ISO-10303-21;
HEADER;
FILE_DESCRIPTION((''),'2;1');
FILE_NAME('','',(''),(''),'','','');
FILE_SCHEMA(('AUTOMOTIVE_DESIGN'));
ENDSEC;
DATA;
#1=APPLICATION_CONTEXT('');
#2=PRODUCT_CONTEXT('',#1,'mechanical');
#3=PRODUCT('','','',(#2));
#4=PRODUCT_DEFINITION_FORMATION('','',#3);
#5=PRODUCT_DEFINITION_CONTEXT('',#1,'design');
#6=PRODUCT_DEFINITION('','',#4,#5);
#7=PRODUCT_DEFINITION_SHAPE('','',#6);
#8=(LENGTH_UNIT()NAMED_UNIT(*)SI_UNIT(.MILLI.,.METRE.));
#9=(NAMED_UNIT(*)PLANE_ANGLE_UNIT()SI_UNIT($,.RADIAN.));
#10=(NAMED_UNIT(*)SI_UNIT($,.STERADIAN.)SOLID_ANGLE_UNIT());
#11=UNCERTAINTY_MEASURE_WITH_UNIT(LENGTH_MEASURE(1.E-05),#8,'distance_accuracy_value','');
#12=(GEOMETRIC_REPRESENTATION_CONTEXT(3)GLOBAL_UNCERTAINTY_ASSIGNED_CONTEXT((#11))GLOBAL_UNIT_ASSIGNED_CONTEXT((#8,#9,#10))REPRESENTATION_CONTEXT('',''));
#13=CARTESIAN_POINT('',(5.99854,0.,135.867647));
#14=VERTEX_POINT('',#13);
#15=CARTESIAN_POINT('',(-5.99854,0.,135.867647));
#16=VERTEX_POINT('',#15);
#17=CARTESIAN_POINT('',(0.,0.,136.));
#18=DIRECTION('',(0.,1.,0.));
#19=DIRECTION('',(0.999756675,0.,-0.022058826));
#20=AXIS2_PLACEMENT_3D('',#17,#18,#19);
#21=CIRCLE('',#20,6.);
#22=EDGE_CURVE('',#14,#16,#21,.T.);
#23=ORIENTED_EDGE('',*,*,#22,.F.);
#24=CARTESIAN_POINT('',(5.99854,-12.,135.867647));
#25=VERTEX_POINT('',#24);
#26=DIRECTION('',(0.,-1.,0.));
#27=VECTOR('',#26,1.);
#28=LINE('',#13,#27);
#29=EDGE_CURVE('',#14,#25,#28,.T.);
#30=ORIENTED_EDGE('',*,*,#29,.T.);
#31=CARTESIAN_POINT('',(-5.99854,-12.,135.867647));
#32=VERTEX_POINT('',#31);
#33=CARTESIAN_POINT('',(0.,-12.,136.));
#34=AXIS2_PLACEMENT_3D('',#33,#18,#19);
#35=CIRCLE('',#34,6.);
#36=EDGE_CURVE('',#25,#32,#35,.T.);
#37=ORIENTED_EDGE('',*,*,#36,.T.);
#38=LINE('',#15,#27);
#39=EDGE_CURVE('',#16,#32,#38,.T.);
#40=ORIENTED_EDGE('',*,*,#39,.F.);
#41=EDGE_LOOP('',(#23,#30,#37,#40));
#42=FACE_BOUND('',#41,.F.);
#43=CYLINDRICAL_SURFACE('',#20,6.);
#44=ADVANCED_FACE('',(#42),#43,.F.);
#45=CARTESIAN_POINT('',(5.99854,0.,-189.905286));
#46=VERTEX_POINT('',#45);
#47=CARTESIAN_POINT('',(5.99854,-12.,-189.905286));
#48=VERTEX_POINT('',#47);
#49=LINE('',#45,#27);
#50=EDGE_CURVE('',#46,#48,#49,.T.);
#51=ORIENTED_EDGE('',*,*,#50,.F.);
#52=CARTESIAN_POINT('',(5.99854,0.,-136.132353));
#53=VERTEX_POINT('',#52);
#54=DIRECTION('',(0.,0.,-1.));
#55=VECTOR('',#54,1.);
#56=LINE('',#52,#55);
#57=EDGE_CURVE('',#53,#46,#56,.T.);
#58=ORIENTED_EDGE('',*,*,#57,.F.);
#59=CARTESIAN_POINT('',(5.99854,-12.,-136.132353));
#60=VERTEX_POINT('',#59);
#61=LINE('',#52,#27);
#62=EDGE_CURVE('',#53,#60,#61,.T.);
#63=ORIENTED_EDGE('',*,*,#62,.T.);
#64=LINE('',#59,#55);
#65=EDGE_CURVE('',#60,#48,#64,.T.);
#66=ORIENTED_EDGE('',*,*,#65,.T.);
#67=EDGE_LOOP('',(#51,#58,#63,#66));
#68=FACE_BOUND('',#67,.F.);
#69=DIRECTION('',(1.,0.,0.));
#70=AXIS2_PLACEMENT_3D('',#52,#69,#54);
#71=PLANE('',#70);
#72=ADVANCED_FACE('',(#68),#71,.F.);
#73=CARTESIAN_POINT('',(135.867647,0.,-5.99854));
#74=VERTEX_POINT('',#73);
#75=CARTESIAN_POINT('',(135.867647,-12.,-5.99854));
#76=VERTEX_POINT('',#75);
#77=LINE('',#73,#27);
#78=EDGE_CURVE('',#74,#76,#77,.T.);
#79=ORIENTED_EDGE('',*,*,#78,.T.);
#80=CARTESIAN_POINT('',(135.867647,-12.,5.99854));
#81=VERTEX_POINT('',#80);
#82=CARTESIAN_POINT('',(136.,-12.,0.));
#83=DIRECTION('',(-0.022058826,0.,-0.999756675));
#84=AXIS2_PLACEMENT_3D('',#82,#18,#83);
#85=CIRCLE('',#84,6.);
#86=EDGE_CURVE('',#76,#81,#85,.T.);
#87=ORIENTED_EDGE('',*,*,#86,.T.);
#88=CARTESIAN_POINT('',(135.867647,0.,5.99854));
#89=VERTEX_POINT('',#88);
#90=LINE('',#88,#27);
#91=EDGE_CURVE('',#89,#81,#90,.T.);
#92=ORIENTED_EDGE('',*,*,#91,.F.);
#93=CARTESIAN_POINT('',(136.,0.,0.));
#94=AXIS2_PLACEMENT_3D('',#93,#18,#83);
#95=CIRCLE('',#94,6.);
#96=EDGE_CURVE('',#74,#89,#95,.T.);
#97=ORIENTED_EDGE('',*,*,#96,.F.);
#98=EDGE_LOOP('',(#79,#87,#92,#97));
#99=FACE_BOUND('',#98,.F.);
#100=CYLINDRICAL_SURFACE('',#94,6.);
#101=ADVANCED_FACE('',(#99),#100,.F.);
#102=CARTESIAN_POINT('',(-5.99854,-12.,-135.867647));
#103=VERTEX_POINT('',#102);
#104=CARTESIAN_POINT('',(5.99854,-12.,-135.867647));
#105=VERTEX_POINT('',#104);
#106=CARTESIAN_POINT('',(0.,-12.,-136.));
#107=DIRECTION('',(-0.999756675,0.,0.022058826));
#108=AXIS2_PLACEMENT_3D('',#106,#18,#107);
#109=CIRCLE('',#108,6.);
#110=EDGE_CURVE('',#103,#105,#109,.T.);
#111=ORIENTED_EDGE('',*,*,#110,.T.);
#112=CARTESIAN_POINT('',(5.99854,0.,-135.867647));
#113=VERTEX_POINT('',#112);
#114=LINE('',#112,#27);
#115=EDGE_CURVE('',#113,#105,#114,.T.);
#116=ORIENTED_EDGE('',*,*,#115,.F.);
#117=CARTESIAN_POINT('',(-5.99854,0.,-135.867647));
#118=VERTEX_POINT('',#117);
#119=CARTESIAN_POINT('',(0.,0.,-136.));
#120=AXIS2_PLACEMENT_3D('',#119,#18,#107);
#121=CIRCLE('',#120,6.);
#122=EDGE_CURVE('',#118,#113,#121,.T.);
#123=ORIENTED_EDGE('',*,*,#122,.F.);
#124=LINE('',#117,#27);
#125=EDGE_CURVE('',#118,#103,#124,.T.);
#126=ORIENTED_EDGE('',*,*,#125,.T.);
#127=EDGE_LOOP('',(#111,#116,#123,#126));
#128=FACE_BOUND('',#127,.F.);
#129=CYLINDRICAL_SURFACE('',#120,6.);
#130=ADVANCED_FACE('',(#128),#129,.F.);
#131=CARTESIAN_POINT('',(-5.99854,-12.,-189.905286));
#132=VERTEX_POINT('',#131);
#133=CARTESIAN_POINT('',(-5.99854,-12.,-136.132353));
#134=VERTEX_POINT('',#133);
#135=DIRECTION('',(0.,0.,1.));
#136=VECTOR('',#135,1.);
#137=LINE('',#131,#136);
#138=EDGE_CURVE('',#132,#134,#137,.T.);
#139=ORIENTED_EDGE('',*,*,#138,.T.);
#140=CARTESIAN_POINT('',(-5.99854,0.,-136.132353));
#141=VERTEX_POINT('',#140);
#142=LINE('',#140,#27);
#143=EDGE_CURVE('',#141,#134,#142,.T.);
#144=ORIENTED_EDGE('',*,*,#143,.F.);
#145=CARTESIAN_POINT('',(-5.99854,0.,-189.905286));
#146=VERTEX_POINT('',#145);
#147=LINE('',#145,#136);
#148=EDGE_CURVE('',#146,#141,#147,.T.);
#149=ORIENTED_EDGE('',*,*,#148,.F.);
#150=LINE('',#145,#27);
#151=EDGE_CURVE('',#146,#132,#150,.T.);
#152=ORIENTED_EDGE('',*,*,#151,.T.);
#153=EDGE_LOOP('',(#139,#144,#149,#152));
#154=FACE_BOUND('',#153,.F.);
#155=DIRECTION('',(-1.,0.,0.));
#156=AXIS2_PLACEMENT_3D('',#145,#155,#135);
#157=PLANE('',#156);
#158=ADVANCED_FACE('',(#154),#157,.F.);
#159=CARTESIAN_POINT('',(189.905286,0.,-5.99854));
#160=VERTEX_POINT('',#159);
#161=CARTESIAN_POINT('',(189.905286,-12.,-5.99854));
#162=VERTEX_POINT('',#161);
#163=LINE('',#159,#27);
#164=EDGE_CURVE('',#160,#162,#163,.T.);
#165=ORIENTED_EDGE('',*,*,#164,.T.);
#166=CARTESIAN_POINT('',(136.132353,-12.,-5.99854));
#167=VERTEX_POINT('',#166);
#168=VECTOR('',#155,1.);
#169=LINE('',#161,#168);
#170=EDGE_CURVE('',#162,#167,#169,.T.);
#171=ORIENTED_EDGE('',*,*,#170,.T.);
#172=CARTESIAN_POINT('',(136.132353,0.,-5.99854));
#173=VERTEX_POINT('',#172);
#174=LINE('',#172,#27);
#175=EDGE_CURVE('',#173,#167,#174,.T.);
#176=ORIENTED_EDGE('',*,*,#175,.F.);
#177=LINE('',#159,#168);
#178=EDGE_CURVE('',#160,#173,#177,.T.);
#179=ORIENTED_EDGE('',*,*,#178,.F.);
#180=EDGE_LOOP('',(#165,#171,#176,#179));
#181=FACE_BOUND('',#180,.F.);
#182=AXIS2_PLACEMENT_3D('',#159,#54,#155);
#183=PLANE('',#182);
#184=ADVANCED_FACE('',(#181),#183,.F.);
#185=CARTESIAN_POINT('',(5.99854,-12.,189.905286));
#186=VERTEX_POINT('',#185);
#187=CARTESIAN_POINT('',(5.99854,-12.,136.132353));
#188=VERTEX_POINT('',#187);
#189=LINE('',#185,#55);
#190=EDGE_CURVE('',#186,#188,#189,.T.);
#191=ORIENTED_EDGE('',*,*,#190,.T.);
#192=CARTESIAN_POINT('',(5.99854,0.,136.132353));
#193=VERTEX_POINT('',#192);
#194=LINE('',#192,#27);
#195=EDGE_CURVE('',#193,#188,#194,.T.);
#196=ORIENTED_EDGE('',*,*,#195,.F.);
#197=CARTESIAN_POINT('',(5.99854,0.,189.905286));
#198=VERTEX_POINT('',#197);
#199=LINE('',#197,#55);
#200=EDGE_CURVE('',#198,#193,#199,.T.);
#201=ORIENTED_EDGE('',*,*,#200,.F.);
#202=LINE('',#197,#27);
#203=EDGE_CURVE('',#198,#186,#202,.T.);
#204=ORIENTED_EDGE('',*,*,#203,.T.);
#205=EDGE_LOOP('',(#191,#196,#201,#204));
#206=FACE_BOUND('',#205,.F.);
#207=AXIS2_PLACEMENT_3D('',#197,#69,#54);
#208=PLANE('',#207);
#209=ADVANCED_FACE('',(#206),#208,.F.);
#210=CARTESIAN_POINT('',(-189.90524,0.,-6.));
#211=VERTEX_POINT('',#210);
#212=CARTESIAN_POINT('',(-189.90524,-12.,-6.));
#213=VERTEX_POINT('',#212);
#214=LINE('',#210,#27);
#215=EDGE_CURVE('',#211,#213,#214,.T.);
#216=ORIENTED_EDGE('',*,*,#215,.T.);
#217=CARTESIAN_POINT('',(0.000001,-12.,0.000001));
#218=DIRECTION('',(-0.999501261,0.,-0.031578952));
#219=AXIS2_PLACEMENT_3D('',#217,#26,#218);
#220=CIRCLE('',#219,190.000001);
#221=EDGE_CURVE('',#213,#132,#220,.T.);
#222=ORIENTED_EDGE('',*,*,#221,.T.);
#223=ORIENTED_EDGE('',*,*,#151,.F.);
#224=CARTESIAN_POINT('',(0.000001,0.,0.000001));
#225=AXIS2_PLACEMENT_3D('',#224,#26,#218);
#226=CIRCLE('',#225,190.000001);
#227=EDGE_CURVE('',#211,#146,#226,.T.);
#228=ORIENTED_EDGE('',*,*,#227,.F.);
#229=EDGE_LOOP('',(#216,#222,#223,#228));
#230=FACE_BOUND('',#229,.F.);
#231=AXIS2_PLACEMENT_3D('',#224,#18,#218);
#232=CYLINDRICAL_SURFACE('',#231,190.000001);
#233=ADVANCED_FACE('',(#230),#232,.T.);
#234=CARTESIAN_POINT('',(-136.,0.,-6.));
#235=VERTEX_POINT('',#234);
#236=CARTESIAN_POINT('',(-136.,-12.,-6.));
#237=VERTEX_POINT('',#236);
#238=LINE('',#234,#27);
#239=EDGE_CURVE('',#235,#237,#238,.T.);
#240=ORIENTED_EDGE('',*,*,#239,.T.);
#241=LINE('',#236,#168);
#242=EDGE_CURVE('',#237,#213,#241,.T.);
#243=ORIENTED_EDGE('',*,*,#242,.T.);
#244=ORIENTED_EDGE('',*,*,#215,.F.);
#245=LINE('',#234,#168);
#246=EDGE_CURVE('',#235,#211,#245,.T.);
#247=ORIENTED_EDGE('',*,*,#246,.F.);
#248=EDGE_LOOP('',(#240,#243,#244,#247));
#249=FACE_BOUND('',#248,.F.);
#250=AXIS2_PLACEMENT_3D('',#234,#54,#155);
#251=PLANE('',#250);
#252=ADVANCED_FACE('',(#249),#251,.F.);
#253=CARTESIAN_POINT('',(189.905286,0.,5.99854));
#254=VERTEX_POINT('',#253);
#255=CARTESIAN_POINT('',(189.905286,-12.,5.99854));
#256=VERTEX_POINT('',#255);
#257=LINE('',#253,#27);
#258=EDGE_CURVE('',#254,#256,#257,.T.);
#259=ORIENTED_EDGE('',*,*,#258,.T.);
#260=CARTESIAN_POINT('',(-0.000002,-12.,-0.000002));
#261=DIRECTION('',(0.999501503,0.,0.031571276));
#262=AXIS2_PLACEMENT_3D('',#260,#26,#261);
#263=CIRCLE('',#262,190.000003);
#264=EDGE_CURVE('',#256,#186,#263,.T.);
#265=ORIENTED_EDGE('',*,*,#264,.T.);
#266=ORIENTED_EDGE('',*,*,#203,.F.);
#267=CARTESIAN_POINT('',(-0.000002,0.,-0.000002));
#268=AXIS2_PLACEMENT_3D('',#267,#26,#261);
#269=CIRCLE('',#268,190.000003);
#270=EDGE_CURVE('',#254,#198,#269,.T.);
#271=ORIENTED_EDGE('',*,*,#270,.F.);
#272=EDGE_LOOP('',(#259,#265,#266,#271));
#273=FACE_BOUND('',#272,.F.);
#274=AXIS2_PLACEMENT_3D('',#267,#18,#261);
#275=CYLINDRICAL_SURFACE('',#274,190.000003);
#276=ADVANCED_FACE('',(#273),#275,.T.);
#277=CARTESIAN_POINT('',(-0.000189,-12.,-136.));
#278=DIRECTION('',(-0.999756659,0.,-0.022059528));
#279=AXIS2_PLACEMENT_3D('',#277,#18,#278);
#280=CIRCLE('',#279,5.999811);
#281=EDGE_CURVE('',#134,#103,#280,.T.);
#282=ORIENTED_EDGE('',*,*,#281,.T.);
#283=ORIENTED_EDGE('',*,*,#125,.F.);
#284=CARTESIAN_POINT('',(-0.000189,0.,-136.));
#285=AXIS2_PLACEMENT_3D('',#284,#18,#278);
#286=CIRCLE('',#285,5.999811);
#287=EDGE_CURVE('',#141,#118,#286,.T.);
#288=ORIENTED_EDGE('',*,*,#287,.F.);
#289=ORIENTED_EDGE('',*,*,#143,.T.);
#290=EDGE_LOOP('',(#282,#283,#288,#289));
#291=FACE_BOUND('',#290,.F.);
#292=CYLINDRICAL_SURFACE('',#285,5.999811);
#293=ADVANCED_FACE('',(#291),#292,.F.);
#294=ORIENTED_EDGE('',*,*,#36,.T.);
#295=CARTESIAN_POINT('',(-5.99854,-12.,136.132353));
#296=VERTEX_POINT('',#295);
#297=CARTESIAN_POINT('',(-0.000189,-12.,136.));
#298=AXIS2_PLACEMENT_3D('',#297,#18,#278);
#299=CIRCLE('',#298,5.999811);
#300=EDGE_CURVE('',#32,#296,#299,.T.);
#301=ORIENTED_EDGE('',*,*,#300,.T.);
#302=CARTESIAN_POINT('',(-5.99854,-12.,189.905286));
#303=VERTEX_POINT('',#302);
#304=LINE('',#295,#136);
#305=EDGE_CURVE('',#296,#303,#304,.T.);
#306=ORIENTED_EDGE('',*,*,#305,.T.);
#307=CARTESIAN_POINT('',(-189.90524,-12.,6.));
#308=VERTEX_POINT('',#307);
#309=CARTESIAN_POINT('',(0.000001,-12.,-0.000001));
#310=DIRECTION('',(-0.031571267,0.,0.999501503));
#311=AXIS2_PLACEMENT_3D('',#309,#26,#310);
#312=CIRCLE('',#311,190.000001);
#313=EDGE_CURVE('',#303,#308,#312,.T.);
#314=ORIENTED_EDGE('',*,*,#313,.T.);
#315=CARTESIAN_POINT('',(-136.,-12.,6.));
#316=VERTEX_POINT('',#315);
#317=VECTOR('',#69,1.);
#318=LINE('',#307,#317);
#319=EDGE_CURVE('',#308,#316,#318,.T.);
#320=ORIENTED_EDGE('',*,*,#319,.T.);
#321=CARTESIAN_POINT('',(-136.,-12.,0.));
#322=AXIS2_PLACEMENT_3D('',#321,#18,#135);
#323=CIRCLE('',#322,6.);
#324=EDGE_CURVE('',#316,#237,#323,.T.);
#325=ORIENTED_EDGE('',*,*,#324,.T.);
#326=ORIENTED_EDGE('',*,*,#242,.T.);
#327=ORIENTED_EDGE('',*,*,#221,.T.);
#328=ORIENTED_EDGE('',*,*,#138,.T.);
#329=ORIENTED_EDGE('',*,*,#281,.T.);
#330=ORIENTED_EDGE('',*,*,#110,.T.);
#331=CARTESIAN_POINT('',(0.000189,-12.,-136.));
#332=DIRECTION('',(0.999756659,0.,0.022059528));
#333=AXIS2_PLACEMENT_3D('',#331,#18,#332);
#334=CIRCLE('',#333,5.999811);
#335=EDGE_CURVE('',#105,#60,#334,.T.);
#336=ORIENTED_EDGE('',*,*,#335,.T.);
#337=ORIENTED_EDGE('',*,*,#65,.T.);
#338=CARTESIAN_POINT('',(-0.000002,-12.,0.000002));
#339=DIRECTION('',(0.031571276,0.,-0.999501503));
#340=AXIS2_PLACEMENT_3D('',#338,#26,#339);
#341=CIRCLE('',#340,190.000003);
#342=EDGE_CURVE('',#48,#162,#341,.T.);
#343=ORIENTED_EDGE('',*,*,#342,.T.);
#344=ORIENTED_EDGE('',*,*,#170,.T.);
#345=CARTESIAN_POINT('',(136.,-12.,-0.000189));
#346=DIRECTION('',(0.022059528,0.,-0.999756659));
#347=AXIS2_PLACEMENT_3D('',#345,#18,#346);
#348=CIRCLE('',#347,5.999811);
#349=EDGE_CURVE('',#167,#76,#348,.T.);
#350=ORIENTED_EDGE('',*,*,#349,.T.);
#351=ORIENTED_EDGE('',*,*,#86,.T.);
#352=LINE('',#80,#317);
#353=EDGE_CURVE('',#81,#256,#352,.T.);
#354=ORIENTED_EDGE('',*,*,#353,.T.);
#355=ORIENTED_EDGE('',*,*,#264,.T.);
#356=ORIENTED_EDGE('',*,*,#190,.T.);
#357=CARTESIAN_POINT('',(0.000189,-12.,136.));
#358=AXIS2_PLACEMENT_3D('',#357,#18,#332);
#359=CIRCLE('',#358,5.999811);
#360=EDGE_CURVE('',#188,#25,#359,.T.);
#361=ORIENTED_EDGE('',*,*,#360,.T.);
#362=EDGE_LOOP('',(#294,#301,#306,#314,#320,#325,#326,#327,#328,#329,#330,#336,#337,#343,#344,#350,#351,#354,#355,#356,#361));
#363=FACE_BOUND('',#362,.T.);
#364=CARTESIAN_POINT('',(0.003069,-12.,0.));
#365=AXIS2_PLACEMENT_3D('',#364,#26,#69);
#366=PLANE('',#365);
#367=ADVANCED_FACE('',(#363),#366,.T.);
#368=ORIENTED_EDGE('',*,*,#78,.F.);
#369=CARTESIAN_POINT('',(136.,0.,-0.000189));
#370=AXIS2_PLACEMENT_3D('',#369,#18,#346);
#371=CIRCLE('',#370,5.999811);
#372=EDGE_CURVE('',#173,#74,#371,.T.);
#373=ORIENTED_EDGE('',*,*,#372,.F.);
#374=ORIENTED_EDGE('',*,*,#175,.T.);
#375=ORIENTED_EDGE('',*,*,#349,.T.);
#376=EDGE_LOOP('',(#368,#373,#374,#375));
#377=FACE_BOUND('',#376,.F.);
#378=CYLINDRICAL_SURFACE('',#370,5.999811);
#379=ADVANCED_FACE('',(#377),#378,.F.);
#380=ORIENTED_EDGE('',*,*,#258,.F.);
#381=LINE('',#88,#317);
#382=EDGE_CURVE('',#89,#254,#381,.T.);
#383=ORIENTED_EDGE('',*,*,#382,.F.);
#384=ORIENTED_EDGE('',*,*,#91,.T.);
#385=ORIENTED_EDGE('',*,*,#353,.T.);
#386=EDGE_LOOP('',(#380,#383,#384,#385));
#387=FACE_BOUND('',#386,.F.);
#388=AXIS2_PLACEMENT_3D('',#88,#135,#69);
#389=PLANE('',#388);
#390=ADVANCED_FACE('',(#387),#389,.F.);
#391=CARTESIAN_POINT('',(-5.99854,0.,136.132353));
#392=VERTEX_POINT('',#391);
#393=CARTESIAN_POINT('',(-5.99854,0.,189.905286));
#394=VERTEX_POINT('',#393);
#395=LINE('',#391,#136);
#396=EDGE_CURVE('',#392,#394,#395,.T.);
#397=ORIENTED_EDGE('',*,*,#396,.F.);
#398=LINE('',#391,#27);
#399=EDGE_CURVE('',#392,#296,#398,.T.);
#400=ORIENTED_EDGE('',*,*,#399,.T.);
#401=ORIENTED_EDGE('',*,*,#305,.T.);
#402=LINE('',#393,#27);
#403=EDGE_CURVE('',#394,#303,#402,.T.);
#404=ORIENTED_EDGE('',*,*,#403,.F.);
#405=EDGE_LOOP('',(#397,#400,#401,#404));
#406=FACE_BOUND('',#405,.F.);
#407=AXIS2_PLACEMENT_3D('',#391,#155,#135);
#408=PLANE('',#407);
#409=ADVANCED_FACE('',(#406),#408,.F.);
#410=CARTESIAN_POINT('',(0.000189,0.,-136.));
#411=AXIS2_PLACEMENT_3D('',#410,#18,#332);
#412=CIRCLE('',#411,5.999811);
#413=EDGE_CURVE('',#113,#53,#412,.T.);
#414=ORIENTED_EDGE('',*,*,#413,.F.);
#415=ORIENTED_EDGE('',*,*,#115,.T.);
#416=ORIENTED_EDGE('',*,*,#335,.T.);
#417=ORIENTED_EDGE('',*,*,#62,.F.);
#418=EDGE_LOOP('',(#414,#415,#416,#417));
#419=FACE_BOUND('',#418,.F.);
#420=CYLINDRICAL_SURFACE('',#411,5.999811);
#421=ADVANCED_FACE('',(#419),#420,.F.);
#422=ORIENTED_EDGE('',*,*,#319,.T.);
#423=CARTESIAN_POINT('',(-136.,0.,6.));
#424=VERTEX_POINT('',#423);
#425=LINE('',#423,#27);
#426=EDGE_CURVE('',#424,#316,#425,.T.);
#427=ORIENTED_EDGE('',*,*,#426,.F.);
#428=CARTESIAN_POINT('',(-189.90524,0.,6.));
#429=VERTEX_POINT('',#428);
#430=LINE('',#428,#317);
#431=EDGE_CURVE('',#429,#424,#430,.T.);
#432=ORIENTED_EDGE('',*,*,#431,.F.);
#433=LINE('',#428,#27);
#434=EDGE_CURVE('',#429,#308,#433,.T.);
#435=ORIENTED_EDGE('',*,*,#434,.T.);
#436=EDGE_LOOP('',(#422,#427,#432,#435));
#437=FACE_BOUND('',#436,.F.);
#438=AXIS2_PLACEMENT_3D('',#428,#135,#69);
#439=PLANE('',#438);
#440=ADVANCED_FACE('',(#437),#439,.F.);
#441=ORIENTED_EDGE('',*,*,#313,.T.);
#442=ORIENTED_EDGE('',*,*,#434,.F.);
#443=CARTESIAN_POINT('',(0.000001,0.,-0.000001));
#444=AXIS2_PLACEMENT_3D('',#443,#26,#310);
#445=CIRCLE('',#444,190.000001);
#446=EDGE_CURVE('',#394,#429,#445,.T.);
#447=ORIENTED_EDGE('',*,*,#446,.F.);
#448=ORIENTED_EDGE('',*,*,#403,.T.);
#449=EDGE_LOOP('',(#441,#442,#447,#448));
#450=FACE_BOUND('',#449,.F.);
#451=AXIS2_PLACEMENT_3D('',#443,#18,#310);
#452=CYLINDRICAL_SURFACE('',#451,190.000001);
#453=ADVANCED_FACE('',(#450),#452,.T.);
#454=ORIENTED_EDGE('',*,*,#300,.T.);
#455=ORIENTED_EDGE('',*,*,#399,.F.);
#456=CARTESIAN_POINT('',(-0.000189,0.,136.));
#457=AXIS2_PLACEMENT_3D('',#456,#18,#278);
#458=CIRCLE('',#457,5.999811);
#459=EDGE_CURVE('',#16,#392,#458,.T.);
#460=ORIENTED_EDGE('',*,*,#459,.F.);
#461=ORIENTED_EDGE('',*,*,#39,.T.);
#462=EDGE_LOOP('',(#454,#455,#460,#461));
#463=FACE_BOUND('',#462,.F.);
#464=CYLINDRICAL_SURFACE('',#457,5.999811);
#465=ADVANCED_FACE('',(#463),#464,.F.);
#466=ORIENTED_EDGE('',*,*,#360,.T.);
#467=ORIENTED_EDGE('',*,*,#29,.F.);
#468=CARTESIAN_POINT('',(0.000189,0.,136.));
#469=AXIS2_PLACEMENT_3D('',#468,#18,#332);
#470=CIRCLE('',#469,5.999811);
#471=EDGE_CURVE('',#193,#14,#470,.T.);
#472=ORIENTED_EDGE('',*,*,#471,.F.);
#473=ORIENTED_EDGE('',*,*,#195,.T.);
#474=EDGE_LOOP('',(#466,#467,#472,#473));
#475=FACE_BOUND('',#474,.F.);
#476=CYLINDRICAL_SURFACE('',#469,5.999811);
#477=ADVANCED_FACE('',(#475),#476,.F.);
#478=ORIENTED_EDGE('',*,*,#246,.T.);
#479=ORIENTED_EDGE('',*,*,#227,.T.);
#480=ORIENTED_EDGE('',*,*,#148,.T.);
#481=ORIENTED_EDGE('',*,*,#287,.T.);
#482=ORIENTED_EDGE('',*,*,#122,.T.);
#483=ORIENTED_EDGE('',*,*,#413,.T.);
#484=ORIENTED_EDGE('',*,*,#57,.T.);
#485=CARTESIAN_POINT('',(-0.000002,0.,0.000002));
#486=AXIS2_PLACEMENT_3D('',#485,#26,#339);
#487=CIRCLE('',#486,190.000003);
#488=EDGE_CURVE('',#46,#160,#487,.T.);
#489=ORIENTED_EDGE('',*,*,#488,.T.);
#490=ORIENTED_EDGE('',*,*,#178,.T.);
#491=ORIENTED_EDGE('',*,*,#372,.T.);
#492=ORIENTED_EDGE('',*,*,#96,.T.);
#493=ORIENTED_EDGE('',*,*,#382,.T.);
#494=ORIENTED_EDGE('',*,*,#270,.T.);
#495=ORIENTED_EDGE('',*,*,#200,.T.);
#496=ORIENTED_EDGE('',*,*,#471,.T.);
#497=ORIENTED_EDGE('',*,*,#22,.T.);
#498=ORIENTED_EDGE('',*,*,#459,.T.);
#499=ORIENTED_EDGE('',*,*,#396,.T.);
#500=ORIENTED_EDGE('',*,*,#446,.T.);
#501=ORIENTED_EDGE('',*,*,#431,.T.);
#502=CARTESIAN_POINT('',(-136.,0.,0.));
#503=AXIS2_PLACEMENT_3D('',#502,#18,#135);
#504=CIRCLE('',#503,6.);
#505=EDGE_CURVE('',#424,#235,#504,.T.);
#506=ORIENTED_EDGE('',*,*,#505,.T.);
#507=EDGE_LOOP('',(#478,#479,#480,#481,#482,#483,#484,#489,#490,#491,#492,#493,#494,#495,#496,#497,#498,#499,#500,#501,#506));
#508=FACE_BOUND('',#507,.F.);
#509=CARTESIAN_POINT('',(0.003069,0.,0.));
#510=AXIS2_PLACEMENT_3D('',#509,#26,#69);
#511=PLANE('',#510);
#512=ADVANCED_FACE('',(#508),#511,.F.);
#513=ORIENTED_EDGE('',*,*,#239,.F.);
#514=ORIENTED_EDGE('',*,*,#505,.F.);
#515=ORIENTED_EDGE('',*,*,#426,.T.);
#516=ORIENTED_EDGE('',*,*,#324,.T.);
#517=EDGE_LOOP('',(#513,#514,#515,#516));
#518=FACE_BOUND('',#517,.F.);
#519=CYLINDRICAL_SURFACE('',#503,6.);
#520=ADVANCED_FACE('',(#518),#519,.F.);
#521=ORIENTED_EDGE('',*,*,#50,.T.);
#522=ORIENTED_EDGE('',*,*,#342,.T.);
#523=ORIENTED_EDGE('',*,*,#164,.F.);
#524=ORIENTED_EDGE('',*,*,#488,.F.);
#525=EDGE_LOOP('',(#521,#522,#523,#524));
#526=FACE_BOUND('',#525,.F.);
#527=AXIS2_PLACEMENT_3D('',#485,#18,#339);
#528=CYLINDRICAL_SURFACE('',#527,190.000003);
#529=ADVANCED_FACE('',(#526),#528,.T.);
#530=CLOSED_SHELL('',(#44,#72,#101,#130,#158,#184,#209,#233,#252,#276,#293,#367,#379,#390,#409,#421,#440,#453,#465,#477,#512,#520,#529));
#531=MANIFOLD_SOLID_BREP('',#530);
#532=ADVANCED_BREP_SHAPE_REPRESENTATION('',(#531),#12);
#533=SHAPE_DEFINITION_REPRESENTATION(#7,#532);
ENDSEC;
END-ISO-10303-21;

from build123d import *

# Parameters (mm, degrees)
F1_DEPTH = 12


with BuildPart() as f1:
    # F0 (on Front) → F1 (new body)
    with BuildSketch(Plane.XZ):
        with BuildLine():
            Line((-5.99854, 136.132353), (-5.99854, 189.905286))
            ThreePointArc((-5.99854, 189.905286), (-134.349772, 134.350805), (-189.90524, 6))
            Line((-189.90524, 6), (-136, 6))
            ThreePointArc((-136, 6), (-130, 0), (-136, -6))
            Line((-136, -6), (-189.90524, -6))
            ThreePointArc((-189.90524, -6), (-134.349772, -134.350805), (-5.99854, -189.905286))
            Line((-5.99854, -189.905286), (-5.99854, -136.132353))
            ThreePointArc((-5.99854, -136.132353), (-6, -136), (-5.99854, -135.867647))
            ThreePointArc((-5.99854, -135.867647), (0, -130), (5.99854, -135.867647))
            ThreePointArc((5.99854, -135.867647), (6, -136), (5.99854, -136.132353))
            Line((5.99854, -136.132353), (5.99854, -189.905286))
            ThreePointArc((5.99854, -189.905286), (134.350288, -134.350288), (189.905286, -5.99854))
            Line((189.905286, -5.99854), (136.132353, -5.99854))
            ThreePointArc((136.132353, -5.99854), (136, -6), (135.867647, -5.99854))
            ThreePointArc((135.867647, -5.99854), (130, 0), (135.867647, 5.99854))
            Line((135.867647, 5.99854), (189.905286, 5.99854))
            ThreePointArc((189.905286, 5.99854), (134.350288, 134.350288), (5.99854, 189.905286))
            Line((5.99854, 189.905286), (5.99854, 136.132353))
            ThreePointArc((5.99854, 136.132353), (6, 136), (5.99854, 135.867647))
            ThreePointArc((5.99854, 135.867647), (0, 130), (-5.99854, 135.867647))
            ThreePointArc((-5.99854, 135.867647), (-6, 136), (-5.99854, 136.132353))
        make_face()
    extrude(amount=F1_DEPTH)


solid = f1.part
